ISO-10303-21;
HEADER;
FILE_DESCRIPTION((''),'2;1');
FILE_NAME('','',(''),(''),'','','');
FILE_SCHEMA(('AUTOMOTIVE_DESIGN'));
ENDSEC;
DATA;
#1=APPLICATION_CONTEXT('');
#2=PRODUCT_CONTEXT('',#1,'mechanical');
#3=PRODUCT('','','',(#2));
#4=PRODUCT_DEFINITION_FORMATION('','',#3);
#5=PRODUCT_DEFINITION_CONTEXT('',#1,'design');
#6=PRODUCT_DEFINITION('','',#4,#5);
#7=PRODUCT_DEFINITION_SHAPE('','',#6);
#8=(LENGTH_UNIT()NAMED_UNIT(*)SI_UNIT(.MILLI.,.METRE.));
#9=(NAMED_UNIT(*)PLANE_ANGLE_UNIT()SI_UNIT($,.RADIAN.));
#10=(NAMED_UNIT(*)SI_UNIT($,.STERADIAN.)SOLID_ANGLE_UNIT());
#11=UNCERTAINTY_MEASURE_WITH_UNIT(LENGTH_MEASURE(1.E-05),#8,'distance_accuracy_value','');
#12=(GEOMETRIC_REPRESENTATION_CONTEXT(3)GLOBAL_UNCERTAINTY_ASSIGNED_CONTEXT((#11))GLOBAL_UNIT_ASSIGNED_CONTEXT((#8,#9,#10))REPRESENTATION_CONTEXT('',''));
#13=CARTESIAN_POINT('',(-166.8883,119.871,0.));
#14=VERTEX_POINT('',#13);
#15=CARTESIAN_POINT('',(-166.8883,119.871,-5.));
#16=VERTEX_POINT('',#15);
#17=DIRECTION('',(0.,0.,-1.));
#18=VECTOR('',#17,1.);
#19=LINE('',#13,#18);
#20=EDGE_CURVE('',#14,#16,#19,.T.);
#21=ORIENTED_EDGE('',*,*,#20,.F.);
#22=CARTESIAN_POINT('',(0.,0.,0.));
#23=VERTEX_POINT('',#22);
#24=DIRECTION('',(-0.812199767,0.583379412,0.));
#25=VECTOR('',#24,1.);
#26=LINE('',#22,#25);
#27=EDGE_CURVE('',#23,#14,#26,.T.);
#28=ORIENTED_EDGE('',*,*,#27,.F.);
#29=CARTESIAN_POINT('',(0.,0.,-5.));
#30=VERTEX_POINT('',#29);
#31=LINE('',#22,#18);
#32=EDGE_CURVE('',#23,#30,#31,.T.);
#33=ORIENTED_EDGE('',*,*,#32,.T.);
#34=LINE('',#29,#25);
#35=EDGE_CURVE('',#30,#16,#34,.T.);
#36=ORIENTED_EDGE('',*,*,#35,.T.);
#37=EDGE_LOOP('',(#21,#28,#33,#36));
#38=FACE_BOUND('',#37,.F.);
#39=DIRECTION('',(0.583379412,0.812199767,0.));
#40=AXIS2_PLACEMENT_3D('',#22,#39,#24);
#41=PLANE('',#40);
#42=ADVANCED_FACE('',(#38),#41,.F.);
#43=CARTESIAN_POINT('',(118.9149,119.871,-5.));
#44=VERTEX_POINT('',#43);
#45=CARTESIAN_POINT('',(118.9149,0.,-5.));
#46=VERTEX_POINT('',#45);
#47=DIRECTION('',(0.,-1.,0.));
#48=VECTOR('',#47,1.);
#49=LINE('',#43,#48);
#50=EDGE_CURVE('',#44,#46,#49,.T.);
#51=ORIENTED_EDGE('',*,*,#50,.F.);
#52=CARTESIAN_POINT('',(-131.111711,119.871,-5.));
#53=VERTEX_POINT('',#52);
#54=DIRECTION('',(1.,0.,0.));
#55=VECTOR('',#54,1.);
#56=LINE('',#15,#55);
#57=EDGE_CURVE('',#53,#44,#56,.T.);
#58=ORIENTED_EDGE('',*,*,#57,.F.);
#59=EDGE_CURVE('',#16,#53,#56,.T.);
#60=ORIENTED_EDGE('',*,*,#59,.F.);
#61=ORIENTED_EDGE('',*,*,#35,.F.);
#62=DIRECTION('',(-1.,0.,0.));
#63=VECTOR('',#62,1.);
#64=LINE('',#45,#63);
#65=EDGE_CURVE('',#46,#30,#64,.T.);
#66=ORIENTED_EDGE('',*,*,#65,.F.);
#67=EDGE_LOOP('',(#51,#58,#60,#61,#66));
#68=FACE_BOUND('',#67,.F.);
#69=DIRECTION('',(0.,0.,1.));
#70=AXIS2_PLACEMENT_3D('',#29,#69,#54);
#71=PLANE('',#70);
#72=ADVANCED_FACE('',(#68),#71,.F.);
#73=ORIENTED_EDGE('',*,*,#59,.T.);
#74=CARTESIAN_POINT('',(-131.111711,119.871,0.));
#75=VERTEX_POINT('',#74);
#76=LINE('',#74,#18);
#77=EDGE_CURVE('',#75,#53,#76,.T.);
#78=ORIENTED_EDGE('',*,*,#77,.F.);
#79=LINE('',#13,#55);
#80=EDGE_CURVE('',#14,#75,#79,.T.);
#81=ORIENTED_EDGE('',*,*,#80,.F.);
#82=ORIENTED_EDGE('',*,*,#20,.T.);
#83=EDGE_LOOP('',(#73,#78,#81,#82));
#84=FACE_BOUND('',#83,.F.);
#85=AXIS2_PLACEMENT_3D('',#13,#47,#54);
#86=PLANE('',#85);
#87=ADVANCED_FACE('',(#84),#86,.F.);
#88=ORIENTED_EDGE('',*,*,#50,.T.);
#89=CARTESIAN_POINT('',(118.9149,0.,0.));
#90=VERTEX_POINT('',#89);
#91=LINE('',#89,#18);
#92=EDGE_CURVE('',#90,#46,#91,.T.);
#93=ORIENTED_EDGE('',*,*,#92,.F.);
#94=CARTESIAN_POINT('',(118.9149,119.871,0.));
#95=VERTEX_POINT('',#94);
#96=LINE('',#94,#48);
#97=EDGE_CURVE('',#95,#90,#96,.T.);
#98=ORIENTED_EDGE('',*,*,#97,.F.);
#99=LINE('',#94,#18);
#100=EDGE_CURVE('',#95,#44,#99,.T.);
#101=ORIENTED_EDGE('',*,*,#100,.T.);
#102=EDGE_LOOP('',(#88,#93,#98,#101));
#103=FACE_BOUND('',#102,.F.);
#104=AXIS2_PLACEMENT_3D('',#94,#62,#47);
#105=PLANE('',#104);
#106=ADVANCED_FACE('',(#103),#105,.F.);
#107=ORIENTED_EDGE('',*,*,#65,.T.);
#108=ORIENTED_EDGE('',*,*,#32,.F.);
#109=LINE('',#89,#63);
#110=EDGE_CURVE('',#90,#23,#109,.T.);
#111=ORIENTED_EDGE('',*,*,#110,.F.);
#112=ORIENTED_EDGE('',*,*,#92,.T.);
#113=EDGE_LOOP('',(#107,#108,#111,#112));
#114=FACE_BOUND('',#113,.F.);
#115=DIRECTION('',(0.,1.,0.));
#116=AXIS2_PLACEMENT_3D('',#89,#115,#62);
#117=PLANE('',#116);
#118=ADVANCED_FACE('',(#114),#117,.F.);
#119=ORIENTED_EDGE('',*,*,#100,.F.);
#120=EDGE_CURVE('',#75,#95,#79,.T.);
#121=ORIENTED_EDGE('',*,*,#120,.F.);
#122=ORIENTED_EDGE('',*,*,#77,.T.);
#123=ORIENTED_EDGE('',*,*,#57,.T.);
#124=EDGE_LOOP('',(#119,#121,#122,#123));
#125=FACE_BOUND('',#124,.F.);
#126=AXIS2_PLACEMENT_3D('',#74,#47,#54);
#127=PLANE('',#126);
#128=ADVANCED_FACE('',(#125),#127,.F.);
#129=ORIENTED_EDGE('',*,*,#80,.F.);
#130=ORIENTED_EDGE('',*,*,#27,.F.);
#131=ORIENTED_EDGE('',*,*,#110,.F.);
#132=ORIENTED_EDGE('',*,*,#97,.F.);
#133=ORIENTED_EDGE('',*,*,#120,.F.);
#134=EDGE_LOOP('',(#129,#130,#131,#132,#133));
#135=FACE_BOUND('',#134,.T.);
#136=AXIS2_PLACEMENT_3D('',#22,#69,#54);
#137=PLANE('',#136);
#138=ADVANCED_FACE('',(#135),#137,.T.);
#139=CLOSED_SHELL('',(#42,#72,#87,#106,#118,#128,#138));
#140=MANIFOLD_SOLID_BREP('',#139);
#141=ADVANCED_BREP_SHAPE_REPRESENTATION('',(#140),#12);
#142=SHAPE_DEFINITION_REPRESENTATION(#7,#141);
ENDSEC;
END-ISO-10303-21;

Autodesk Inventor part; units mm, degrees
ref_plane "YZ Plane" through (0, 0, 0) normal (1, 0, 0) x (0, 1, 0)
ref_plane "XZ Plane" through (0, 0, 0) normal (0, 1, 0) x (-1, 0, 0)
ref_plane "XY Plane" through (0, 0, 0) normal (0, 0, 1) x (1, 0, 0)
sketch "Sketch1" plane through (0, 0, 0) normal (0, 0, 1) x (1, 0, 0)
  line L0 (0, 0) -> (-166.8883, 119.871)
  line L1 (-166.8883, 119.871) -> (118.9149, 119.871)
  line L2 (118.9149, 119.871) -> (118.9149, 0)
  line L3 (118.9149, 0) -> (0, 0)
  line L4 (385.7085, 119.871) -> (-223.8915, 119.871) projected
  line L5 (-0.2224, 6.0906) -> (-134.4097, 122.7379) projected
  line L6 (159.6989, 0) -> (330.9455, 0) projected
  line L7 (-119.1192, 85.4511) -> (-192.965, 138.6604) projected
extrude "Extrusion1" add sketch "Sketch1" against normal blind 5
properties part number "frontLeftSidePlateV2"
